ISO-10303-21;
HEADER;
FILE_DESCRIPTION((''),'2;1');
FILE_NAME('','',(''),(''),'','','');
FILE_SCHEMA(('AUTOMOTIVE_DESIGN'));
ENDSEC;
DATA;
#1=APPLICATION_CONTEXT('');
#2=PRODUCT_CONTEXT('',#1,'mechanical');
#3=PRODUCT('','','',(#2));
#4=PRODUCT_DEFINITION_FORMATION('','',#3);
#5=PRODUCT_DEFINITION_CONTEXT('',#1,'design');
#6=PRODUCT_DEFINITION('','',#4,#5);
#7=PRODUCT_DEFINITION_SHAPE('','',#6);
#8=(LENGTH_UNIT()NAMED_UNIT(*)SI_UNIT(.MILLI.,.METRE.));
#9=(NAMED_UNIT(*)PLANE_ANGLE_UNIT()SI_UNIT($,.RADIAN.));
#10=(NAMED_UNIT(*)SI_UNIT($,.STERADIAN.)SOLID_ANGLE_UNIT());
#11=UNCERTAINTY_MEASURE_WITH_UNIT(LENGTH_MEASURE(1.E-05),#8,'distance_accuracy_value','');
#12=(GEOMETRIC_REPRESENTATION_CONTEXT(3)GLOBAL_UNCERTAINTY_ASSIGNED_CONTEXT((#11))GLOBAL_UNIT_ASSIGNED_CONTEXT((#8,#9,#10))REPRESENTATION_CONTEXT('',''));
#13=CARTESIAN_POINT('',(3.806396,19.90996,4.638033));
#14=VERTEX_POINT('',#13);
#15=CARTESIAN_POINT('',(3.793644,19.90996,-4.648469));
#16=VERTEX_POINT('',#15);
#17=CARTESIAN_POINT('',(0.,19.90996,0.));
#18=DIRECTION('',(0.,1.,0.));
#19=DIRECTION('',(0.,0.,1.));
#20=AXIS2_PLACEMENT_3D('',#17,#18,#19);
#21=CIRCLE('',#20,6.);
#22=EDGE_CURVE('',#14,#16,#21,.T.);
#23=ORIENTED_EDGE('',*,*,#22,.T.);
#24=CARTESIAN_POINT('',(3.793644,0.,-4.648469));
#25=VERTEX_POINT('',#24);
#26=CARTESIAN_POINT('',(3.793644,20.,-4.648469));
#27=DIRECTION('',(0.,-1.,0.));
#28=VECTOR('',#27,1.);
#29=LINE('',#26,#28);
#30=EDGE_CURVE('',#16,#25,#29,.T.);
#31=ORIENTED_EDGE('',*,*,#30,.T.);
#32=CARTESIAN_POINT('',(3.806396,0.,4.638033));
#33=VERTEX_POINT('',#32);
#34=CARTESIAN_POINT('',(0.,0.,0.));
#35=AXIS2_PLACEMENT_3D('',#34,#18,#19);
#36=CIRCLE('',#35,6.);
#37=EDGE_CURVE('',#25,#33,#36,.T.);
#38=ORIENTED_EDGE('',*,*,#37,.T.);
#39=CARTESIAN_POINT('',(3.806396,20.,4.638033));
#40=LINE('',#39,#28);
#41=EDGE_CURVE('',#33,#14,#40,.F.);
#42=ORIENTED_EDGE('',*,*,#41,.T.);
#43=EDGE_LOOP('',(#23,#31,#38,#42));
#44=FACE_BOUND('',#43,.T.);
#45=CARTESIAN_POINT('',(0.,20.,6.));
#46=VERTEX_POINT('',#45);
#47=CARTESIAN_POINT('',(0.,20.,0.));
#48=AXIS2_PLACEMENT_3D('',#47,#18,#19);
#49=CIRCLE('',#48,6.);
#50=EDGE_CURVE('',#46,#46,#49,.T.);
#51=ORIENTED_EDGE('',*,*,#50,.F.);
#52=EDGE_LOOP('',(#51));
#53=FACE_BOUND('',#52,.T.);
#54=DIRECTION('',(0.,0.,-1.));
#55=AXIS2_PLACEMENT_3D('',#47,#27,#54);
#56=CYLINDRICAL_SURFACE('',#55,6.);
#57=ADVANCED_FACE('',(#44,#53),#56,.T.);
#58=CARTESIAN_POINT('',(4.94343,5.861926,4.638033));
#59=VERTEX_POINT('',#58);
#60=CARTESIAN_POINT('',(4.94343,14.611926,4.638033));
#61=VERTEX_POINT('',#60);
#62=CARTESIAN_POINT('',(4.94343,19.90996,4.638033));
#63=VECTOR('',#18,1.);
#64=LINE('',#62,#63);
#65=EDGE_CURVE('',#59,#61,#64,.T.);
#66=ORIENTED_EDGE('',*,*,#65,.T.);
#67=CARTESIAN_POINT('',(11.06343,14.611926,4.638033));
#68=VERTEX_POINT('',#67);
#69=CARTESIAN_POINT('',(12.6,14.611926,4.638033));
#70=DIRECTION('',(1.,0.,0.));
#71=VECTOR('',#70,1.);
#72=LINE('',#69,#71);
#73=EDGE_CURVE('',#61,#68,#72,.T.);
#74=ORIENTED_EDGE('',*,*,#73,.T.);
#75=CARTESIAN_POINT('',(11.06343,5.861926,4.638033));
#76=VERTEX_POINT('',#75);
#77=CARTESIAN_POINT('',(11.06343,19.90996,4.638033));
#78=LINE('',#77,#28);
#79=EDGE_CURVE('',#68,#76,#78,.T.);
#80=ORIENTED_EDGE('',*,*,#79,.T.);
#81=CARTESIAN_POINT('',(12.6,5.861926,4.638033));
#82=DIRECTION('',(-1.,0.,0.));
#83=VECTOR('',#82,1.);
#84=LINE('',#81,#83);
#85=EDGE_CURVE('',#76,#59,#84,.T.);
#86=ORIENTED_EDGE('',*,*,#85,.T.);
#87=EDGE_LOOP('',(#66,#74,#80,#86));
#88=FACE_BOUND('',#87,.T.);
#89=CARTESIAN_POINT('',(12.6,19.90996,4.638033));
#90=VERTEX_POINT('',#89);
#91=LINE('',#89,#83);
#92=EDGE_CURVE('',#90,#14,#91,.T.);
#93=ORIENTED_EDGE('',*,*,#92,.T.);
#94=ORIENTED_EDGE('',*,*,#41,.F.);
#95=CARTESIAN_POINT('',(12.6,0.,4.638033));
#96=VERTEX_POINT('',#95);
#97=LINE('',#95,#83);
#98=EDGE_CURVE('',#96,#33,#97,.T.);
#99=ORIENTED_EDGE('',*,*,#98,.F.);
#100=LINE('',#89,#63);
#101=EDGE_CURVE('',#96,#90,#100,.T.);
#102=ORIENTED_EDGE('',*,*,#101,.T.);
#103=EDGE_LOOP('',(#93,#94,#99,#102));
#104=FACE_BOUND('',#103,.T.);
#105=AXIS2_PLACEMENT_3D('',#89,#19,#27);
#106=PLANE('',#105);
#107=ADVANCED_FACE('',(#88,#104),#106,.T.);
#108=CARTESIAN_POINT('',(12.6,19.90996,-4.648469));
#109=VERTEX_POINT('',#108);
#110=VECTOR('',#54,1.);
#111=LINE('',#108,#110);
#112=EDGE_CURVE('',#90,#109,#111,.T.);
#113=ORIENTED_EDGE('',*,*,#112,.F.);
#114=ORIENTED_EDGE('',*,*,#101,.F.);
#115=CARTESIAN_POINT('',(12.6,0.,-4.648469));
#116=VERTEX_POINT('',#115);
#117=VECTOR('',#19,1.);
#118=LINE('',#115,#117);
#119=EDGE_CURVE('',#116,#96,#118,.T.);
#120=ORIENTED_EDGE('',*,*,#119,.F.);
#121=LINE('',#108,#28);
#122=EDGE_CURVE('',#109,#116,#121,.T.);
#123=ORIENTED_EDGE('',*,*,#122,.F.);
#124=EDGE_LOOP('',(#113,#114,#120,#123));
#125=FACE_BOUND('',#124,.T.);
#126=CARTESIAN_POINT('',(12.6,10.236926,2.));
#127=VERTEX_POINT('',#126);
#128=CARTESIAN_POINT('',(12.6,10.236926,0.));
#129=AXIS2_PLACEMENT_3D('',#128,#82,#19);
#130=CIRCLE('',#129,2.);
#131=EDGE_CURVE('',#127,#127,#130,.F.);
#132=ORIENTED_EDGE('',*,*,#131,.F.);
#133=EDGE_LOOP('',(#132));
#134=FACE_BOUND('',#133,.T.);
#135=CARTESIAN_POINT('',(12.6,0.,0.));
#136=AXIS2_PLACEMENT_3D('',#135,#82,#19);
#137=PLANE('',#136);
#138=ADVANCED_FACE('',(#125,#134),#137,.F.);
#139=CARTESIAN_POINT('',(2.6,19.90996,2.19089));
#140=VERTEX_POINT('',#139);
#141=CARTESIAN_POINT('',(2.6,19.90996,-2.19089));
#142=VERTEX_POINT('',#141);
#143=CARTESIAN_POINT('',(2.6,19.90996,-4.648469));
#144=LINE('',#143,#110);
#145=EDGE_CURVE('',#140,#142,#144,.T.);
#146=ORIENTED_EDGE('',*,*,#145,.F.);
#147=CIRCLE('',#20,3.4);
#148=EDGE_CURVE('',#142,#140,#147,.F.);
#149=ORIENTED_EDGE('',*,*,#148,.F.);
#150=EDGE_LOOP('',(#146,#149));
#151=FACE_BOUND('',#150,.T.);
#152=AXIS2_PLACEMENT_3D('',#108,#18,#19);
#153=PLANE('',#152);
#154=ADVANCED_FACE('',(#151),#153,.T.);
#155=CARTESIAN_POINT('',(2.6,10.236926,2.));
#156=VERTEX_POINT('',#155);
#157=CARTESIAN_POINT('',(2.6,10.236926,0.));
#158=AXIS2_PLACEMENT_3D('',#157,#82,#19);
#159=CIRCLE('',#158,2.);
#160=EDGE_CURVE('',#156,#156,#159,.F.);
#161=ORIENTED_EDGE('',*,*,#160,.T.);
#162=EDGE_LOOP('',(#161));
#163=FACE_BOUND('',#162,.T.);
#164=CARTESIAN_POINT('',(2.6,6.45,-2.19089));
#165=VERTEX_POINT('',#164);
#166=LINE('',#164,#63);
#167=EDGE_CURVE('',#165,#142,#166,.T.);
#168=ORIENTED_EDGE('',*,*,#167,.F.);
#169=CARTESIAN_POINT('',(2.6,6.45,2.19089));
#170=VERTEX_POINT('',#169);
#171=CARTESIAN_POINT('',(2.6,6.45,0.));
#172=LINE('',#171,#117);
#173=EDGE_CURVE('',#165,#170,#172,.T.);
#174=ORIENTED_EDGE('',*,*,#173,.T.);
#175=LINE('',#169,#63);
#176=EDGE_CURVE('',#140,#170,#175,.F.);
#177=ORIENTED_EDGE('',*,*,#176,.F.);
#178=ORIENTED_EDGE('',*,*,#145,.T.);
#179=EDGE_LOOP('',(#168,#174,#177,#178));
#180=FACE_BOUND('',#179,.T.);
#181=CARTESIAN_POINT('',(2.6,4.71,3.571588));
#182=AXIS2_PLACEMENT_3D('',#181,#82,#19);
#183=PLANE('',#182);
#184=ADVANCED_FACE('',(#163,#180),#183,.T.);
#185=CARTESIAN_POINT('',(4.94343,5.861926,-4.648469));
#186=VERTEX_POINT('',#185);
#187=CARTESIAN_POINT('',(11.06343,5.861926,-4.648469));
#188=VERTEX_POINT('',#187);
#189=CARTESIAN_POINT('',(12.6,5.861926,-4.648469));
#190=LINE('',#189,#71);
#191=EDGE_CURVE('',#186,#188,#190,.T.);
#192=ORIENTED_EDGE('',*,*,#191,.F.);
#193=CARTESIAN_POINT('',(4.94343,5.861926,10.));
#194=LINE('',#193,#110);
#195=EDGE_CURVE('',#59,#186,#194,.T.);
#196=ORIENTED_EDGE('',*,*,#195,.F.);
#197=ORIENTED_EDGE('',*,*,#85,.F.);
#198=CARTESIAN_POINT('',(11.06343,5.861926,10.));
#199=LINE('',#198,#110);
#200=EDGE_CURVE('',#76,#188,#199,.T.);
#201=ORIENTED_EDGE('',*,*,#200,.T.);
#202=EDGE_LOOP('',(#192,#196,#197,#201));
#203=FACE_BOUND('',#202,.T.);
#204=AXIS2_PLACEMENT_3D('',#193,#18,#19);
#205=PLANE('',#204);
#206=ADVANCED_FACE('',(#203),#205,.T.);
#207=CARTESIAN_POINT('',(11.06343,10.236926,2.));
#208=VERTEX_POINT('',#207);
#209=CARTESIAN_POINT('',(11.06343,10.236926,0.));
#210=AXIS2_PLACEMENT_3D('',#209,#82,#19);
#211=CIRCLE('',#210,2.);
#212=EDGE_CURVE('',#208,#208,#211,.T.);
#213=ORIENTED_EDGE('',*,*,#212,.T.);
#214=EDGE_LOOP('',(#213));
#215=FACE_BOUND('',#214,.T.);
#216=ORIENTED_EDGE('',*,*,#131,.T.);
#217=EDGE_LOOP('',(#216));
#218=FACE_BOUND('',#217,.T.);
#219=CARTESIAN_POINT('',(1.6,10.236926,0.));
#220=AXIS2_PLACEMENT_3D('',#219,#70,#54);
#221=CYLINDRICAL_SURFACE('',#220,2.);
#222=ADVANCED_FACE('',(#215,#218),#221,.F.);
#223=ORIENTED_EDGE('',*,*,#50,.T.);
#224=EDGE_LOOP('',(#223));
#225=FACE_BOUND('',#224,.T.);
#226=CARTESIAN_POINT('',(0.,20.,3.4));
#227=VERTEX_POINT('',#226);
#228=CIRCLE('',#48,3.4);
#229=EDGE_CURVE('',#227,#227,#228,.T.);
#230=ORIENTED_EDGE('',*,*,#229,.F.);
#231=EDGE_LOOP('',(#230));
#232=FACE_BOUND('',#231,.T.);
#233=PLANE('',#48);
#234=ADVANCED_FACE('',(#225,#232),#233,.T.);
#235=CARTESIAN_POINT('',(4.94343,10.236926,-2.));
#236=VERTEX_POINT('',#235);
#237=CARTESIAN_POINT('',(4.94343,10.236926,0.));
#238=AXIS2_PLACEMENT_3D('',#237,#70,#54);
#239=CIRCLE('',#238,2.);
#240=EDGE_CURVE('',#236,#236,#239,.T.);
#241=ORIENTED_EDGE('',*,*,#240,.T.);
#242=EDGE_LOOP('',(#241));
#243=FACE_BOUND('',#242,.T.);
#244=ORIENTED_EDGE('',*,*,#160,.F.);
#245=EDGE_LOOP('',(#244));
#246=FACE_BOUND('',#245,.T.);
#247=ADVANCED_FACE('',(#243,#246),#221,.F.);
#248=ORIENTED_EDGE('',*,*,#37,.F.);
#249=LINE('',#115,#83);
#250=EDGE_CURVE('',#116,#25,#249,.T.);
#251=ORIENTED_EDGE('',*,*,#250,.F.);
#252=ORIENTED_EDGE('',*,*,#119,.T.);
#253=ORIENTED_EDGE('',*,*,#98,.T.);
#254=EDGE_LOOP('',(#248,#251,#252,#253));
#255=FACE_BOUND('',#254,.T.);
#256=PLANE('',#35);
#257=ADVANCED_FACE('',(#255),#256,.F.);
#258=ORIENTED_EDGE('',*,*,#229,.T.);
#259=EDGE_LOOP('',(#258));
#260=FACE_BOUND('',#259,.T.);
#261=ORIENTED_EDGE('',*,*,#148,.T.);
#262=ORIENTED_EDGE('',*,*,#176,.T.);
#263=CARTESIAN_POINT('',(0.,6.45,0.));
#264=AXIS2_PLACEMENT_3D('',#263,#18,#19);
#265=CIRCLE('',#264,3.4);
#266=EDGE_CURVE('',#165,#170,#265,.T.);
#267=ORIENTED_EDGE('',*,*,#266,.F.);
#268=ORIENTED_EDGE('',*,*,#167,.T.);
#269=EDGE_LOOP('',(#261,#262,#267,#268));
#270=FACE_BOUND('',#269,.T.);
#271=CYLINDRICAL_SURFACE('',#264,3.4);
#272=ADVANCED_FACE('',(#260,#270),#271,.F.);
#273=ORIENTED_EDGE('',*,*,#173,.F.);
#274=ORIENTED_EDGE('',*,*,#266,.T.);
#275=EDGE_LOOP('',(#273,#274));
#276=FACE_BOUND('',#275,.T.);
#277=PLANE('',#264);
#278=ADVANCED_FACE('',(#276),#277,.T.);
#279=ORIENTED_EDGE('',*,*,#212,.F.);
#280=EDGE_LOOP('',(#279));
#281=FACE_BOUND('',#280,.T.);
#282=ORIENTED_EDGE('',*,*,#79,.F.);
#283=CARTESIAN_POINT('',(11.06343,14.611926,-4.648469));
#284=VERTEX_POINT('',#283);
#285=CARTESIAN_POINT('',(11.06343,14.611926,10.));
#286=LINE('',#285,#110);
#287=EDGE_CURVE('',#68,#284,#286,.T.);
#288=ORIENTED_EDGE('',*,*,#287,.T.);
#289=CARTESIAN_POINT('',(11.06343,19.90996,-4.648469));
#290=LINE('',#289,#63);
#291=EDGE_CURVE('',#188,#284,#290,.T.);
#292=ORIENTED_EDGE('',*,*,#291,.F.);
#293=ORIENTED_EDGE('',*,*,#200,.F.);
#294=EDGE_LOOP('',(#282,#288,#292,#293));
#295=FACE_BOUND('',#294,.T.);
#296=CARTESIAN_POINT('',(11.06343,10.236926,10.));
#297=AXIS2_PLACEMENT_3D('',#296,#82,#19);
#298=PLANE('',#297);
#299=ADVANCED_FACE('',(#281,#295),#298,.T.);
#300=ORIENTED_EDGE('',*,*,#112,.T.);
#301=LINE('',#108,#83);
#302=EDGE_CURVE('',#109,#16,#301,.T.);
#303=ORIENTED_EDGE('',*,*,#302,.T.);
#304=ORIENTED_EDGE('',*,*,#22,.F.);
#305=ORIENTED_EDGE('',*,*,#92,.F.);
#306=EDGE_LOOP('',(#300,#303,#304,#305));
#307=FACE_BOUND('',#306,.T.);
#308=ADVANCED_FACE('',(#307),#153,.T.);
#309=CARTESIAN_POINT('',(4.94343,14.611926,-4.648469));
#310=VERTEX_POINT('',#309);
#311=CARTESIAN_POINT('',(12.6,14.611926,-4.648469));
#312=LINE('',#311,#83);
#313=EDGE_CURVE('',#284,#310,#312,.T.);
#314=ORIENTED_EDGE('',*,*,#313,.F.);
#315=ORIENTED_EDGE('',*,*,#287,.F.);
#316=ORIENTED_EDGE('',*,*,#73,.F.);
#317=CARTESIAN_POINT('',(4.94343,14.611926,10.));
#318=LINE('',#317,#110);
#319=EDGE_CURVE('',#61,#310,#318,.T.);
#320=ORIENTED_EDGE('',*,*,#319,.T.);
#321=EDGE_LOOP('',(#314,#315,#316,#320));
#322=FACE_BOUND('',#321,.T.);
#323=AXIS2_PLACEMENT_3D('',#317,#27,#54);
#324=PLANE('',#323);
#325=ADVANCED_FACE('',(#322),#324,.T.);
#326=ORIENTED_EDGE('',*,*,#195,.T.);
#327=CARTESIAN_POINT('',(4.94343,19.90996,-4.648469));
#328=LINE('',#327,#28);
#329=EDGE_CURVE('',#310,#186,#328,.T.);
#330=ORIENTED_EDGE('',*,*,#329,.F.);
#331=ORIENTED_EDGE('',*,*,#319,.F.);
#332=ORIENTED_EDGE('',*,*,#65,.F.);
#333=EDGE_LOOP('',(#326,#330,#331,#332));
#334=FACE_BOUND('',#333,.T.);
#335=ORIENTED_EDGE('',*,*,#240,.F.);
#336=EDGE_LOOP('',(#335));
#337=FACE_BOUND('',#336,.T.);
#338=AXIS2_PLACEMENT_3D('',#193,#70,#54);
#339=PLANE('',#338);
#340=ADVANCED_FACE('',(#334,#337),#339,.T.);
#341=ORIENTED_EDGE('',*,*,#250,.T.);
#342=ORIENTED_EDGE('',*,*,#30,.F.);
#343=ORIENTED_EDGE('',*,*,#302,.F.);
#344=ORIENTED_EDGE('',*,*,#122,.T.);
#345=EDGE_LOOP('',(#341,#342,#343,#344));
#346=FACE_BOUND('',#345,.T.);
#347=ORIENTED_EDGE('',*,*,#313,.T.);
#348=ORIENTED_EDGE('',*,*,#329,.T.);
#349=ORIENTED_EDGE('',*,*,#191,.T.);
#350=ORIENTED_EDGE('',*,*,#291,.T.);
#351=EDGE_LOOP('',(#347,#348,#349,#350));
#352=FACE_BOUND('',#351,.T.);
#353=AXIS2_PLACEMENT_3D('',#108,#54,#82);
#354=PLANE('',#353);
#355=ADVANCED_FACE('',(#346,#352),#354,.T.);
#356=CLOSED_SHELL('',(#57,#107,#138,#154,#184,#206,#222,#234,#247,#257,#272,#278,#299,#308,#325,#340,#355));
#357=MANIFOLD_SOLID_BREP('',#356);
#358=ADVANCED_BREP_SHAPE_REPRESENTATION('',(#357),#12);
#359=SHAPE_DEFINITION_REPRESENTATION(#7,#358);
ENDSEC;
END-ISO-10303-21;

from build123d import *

# Parameters (mm, degrees)
SKETCH1_R               = 6
BOSS_EXTRUDE1_DEPTH     = 20
SKETCH2_R               = 3.4
CUT_EXTRUDE1_DEPTH      = 13.55
SKETCH5_W               = 1.550685087
SKETCH5_H               = 7.184215806
BOSS_EXTRUDE2_DEPTH     = 13.55
SKETCH7_W               = 9.286501956
SKETCH7_H               = 19.909960041
BOSS_EXTRUDE3_DEPTH     = 10
CUT_EXTRUDE2_DEPTH      = 1
CUT_EXTRUDE2_DEPTH_BACK = 13.55
SKETCH6_R               = 2
CUT_EXTRUDE3_DEPTH      = 10
CUT_EXTRUDE3_DEPTH_BACK = 10


with BuildPart() as part:
    # Sketch1 → Boss-Extrude1 (new body)
    with BuildSketch(Plane(origin=(0, 0, 0), x_dir=(1, 0, 0), z_dir=(0, 1, 0))):
        Circle(SKETCH1_R)
    extrude(amount=BOSS_EXTRUDE1_DEPTH)

    # Sketch2 → Cut-Extrude1 (cut)
    with BuildSketch(Plane(origin=(0, 20, 0), x_dir=(1, 0, 0), z_dir=(0, 1, 0))):
        Circle(SKETCH2_R)
    extrude(amount=-CUT_EXTRUDE1_DEPTH, mode=Mode.SUBTRACT)

    # Sketch5 → Boss-Extrude2 (add)
    with BuildSketch(Plane(origin=(0, 18.26, 0), x_dir=(1, 0, 0), z_dir=(0, 1, 0))):
        with Locations((3.375342544, 0.020519704)):
            Rectangle(SKETCH5_W, SKETCH5_H)
    extrude(amount=-BOSS_EXTRUDE2_DEPTH)

    # Sketch7 → Boss-Extrude3 (add)
    with BuildSketch(Plane.ZY.offset(-2.6)):
        with Locations((-0.005218197, 9.954980021)):
            Rectangle(SKETCH7_W, SKETCH7_H)
    extrude(amount=-BOSS_EXTRUDE3_DEPTH)

    # Sketch6 → Cut-Extrude2 (cut, two sides: drawn at the far end of the back side and taken through both)
    with BuildSketch(Plane.ZY.offset(-2.6).offset(-CUT_EXTRUDE2_DEPTH_BACK)):
        with Locations((0, 10.236925537)):
            Circle(SKETCH6_R)
    extrude(amount=CUT_EXTRUDE2_DEPTH + CUT_EXTRUDE2_DEPTH_BACK, mode=Mode.SUBTRACT)

    # Sketch9 → Cut-Extrude3 (cut, two sides: drawn at the far end of the back side and taken through both)
    with BuildSketch(Plane.XY.offset(-CUT_EXTRUDE3_DEPTH_BACK)):
        Polygon((11.063430227, 10.236925537), (11.063430227, 5.861925537), (4.943430227, 5.861925537), (4.943430227, 10.236925537), (4.943430227, 14.611925537), (11.063430227, 14.611925537), align=None)
    extrude(amount=CUT_EXTRUDE3_DEPTH + CUT_EXTRUDE3_DEPTH_BACK, mode=Mode.SUBTRACT)


solid = part.part
